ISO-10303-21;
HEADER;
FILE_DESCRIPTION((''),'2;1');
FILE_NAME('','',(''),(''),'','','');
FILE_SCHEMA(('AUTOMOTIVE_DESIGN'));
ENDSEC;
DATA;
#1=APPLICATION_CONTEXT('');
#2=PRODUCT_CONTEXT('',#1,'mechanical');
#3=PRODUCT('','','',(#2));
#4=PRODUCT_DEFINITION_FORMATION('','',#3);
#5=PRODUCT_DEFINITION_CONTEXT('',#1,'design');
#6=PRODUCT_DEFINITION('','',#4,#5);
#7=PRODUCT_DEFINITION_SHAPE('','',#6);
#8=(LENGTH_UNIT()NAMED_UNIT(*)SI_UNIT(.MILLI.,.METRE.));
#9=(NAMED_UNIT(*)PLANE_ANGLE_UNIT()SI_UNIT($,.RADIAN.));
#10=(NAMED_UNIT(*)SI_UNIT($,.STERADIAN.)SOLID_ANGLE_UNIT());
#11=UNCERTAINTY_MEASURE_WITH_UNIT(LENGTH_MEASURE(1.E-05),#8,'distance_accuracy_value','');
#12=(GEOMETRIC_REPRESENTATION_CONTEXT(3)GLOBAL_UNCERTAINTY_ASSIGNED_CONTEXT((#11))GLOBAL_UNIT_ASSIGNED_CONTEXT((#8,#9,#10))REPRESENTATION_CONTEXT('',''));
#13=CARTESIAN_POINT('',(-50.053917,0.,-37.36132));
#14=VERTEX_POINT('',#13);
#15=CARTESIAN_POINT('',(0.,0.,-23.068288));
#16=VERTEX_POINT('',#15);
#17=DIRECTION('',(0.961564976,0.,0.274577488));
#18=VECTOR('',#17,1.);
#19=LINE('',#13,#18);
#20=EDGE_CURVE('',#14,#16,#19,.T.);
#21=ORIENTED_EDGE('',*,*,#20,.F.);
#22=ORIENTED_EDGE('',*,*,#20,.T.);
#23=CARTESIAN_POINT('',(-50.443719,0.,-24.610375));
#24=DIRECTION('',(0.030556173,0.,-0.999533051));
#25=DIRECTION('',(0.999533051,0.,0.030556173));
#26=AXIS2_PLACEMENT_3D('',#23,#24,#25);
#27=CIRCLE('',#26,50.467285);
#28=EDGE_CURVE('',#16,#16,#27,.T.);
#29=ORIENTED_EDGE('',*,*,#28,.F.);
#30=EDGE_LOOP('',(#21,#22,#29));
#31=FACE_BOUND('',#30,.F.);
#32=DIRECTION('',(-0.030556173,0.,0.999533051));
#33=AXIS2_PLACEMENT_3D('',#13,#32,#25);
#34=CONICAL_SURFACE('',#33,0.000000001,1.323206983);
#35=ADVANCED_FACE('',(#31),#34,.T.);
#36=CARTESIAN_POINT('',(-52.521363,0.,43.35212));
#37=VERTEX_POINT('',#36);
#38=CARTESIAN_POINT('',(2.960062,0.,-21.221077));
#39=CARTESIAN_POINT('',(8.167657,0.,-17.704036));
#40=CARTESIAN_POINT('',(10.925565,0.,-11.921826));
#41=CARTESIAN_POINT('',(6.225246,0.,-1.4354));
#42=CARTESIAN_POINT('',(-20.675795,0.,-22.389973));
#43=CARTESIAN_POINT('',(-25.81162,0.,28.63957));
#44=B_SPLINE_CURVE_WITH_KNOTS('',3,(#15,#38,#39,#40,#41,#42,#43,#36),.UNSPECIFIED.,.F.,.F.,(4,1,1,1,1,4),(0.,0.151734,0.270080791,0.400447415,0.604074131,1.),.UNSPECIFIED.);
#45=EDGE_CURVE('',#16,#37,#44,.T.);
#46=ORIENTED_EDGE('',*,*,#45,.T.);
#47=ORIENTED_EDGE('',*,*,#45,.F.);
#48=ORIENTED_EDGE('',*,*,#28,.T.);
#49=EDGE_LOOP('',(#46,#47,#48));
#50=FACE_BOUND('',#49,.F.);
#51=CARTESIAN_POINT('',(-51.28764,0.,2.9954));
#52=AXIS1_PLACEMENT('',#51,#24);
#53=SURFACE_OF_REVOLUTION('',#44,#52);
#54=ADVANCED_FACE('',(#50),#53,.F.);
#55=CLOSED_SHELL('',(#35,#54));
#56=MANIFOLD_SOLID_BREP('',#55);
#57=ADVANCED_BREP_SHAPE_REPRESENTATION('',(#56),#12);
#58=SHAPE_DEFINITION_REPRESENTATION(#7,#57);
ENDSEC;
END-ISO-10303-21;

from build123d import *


with BuildPart() as f1:
    # F0 (on Front) → F1 (revolve)
    with BuildSketch(Plane.XZ):
        with BuildLine():
            add(Edge.make_bspline(
                [(0, -23.0682883412), (2.9600621081, -21.2210766133), (8.1676565667, -17.7040355615), (10.9255652139, -11.9218260223), (6.2252462725, -1.4354000769), (-20.6757946721, -22.3899729424), (-25.8116204706, 28.6395698145), (-52.5213629007, 43.3521196246)],
                knots=[0, 0, 0, 0, 0.1517340003, 0.2700807906, 0.4004474149, 0.6040741308, 1, 1, 1, 1], degree=3))
            Line((-52.5213629007, 43.3521196246), (-50.0539168715, -37.3613201082))
            Line((-50.0539168715, -37.3613201082), (0, -23.0682883412))
        make_face()
    revolve(axis=Axis((-51.2876398861, 0, 2.9953997582), (0.0305561734, 0, -0.9995330511)))


solid = f1.part
